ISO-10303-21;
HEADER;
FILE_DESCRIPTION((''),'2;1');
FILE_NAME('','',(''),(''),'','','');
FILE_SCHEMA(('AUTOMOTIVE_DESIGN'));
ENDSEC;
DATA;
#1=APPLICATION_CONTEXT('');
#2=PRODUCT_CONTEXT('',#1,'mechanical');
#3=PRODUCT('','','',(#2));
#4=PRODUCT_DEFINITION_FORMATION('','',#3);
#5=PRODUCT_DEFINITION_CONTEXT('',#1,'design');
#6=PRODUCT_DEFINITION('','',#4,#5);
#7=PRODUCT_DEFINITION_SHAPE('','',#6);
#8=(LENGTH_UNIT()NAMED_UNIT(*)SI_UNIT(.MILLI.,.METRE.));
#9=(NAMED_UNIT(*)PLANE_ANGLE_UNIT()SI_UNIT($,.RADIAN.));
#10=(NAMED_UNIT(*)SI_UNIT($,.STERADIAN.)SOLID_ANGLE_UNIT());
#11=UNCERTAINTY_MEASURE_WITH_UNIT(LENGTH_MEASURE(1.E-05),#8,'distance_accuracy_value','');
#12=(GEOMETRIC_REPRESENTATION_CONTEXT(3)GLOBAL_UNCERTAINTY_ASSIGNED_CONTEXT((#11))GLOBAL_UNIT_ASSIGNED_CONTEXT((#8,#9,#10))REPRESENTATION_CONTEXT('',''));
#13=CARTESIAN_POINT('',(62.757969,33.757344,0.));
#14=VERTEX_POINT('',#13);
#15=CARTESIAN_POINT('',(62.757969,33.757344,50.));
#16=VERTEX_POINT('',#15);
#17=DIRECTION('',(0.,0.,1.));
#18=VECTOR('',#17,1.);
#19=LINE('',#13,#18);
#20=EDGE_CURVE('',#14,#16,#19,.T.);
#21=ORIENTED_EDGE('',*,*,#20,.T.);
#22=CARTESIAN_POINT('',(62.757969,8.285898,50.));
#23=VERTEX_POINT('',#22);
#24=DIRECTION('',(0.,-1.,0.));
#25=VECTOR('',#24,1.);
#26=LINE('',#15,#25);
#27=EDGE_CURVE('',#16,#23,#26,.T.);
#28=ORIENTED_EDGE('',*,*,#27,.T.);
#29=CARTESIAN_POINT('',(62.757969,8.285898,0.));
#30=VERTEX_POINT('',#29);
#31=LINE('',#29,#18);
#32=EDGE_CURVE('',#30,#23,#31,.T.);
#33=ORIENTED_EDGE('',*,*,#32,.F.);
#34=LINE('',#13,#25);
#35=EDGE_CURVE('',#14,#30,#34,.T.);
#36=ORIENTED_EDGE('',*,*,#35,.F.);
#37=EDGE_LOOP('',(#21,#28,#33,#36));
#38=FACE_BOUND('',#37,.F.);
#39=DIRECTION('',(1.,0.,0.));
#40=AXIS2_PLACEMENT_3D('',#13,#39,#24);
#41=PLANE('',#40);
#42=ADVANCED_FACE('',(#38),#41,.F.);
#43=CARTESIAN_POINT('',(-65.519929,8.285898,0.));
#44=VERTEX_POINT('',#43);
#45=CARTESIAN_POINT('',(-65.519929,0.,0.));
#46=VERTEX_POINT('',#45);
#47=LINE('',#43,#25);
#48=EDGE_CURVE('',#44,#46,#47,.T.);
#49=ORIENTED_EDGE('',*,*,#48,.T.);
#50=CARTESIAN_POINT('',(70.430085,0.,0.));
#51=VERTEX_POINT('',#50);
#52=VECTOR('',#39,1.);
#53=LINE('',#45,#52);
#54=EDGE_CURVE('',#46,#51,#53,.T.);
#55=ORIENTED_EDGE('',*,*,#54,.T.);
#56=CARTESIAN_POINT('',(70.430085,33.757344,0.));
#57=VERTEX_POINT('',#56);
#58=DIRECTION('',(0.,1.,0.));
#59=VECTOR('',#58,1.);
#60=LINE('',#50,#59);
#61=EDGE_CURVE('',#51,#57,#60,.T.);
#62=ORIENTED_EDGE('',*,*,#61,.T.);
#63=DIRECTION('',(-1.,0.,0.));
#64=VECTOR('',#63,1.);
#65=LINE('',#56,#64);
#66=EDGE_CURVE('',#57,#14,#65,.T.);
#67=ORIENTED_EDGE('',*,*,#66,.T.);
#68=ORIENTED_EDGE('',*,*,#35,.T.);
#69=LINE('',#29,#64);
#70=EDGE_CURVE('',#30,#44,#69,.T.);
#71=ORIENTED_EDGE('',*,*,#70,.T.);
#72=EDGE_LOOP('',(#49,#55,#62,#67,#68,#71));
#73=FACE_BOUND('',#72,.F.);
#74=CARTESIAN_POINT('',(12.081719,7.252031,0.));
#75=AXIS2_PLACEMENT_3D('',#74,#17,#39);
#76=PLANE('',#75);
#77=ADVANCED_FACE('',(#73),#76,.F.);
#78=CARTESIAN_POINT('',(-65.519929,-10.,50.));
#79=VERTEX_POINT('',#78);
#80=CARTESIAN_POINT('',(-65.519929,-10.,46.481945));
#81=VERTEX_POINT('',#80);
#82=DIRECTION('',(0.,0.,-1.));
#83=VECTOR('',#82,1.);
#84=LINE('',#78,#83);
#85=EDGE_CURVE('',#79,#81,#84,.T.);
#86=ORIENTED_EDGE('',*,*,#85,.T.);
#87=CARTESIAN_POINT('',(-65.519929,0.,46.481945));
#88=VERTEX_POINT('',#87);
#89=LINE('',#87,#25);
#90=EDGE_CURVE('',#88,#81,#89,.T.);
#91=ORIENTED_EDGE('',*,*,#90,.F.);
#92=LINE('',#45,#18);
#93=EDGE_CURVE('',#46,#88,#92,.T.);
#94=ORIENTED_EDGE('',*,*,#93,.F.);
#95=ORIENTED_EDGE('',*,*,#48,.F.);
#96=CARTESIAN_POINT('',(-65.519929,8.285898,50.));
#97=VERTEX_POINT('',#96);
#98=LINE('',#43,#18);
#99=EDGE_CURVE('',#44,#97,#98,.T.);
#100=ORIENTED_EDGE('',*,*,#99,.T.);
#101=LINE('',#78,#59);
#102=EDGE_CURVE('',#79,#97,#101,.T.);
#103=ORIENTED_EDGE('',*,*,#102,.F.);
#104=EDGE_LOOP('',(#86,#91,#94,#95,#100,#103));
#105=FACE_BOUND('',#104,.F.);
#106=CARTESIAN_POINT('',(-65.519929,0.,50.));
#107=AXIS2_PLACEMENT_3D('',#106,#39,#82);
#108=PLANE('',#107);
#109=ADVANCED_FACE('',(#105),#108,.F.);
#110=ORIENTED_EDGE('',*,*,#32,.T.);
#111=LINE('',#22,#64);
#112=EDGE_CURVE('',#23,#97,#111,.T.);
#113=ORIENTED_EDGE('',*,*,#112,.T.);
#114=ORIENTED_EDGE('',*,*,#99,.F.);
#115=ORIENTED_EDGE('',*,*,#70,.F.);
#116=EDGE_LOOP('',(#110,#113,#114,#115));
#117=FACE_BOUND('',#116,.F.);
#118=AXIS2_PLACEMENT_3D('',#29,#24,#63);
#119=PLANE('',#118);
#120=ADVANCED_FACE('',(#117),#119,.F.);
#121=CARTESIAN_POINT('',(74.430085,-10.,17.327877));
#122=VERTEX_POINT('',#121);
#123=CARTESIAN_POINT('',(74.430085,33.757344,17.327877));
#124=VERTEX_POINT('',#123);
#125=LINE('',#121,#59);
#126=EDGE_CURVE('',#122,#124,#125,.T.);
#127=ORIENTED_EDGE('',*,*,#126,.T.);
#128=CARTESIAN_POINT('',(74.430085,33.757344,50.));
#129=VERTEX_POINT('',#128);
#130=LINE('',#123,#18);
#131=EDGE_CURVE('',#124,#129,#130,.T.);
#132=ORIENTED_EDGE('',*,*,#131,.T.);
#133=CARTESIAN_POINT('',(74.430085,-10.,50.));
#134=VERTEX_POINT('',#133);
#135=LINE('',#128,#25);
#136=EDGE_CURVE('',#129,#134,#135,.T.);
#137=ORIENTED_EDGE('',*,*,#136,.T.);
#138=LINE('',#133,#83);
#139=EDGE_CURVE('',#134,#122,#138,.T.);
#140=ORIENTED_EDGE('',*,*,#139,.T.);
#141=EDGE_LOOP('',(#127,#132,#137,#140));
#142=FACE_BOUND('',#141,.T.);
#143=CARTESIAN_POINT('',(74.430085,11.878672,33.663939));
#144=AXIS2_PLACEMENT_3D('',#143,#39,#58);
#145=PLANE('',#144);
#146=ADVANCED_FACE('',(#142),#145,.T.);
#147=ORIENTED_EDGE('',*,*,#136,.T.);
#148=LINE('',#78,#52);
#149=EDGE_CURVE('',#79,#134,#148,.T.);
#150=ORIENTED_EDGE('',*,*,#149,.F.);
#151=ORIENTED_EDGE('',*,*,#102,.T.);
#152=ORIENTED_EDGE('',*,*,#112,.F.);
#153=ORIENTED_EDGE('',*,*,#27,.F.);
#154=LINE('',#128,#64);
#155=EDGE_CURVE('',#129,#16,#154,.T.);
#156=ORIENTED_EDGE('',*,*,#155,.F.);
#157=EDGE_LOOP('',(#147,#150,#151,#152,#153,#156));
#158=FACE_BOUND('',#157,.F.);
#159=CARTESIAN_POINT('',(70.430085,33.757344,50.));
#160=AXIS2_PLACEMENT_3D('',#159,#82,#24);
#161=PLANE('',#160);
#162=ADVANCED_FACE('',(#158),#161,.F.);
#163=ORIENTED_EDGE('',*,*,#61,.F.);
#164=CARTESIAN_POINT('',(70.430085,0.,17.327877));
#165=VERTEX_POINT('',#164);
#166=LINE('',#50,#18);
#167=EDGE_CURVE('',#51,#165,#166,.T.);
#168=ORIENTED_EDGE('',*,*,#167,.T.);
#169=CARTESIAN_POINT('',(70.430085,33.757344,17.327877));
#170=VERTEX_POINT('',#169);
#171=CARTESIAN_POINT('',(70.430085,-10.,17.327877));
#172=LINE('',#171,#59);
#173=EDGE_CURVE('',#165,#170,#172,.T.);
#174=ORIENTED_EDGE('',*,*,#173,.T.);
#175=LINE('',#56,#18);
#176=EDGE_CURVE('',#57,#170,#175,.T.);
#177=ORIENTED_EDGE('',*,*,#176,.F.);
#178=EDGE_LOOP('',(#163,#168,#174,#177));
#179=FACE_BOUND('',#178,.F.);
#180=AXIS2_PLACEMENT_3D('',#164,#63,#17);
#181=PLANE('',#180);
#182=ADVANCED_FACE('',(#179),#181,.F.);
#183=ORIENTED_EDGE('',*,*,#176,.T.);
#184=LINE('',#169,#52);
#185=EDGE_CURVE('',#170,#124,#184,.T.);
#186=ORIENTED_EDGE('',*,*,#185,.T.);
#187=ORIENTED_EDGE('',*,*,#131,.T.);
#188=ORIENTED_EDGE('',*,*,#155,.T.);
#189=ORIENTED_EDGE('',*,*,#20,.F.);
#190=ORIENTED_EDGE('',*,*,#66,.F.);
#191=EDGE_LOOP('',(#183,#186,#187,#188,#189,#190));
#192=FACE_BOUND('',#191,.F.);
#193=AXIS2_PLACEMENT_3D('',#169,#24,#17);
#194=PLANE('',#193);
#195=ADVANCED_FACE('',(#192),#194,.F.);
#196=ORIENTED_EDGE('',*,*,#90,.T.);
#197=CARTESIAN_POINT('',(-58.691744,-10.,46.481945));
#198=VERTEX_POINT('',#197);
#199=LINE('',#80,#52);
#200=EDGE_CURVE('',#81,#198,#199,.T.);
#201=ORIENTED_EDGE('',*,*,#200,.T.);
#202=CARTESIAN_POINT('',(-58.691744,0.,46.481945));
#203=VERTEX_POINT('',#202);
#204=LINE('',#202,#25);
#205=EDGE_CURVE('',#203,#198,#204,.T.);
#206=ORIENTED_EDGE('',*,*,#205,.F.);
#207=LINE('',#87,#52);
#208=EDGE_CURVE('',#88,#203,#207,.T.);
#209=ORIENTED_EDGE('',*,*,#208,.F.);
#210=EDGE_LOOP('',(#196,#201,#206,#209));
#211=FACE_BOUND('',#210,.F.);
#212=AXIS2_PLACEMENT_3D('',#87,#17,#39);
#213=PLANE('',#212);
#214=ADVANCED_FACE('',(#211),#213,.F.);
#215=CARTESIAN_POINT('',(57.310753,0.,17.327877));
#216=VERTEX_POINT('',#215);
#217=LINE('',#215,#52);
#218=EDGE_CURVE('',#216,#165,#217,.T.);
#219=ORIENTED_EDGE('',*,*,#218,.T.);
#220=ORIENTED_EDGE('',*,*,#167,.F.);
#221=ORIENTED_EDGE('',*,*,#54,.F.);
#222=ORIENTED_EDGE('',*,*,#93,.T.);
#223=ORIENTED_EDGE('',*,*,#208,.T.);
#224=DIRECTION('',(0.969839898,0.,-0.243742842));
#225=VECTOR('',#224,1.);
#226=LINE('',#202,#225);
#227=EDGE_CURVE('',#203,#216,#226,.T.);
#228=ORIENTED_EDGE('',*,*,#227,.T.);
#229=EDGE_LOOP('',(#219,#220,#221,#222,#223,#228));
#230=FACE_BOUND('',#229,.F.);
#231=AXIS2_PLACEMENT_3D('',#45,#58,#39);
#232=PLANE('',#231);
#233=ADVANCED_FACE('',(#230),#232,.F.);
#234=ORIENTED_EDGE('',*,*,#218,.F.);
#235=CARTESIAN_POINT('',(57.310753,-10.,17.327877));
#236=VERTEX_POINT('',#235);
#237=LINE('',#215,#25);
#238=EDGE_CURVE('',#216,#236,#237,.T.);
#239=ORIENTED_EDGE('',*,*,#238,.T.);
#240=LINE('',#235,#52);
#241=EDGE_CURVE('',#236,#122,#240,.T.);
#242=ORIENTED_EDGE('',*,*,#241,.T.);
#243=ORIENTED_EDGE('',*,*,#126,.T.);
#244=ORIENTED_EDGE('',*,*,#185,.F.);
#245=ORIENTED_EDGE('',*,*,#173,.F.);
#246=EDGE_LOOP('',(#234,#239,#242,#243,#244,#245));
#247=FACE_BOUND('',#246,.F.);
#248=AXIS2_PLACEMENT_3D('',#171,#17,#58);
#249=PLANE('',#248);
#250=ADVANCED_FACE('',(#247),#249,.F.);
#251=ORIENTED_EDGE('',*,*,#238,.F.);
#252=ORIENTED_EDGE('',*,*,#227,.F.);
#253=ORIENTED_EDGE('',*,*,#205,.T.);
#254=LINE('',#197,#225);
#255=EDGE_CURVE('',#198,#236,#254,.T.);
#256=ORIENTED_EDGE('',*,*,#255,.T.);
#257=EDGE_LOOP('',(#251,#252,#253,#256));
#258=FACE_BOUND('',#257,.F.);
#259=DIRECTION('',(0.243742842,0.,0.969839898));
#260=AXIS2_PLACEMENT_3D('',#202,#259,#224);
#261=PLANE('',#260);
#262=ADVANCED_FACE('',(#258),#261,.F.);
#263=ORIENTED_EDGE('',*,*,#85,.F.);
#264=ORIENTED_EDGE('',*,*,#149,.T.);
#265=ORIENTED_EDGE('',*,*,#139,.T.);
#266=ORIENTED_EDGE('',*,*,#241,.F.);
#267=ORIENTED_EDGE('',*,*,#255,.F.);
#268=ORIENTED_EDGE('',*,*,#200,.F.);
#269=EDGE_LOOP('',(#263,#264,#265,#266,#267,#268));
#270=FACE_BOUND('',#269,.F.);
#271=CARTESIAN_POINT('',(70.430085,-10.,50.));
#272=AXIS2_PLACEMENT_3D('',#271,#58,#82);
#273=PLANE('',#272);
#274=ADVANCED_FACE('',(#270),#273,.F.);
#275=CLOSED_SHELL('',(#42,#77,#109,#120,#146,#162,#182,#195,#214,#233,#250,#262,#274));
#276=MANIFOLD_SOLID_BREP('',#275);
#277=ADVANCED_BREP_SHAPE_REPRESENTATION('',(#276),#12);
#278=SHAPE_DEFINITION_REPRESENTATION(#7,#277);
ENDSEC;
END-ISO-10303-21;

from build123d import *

# Parameters (mm, degrees)
F1_DEPTH = 50
F3_DEPTH = 10
F5_DEPTH = 4


with BuildPart() as f1:
    # F0 (on Top) → F1 (new body)
    with BuildSketch(Plane.XY):
        Polygon((-65.519929, 8.285898), (-65.519929, 0), (70.430085, 0), (70.430085, 33.757344), (62.757969, 33.757344), (62.757969, 8.285898), align=None)
    extrude(amount=F1_DEPTH)

    # F2 (on face) → F3 (join)
    with BuildSketch(Plane.XZ):
        Polygon((-65.519929, 50), (-65.519929, 46.481945), (-58.691744, 46.481945), (57.310753, 17.327877), (70.430085, 17.327877), (70.430085, 50), align=None)
    extrude(amount=F3_DEPTH)

    # F4 (on face) → F5 (join)
    with BuildSketch(Plane.YZ.offset(70.430085)):
        Polygon((33.757344, 50), (-10, 50), (-10, 17.327877), (0, 17.327877), (33.757344, 17.327877), align=None)
    extrude(amount=F5_DEPTH)


solid = f1.part
